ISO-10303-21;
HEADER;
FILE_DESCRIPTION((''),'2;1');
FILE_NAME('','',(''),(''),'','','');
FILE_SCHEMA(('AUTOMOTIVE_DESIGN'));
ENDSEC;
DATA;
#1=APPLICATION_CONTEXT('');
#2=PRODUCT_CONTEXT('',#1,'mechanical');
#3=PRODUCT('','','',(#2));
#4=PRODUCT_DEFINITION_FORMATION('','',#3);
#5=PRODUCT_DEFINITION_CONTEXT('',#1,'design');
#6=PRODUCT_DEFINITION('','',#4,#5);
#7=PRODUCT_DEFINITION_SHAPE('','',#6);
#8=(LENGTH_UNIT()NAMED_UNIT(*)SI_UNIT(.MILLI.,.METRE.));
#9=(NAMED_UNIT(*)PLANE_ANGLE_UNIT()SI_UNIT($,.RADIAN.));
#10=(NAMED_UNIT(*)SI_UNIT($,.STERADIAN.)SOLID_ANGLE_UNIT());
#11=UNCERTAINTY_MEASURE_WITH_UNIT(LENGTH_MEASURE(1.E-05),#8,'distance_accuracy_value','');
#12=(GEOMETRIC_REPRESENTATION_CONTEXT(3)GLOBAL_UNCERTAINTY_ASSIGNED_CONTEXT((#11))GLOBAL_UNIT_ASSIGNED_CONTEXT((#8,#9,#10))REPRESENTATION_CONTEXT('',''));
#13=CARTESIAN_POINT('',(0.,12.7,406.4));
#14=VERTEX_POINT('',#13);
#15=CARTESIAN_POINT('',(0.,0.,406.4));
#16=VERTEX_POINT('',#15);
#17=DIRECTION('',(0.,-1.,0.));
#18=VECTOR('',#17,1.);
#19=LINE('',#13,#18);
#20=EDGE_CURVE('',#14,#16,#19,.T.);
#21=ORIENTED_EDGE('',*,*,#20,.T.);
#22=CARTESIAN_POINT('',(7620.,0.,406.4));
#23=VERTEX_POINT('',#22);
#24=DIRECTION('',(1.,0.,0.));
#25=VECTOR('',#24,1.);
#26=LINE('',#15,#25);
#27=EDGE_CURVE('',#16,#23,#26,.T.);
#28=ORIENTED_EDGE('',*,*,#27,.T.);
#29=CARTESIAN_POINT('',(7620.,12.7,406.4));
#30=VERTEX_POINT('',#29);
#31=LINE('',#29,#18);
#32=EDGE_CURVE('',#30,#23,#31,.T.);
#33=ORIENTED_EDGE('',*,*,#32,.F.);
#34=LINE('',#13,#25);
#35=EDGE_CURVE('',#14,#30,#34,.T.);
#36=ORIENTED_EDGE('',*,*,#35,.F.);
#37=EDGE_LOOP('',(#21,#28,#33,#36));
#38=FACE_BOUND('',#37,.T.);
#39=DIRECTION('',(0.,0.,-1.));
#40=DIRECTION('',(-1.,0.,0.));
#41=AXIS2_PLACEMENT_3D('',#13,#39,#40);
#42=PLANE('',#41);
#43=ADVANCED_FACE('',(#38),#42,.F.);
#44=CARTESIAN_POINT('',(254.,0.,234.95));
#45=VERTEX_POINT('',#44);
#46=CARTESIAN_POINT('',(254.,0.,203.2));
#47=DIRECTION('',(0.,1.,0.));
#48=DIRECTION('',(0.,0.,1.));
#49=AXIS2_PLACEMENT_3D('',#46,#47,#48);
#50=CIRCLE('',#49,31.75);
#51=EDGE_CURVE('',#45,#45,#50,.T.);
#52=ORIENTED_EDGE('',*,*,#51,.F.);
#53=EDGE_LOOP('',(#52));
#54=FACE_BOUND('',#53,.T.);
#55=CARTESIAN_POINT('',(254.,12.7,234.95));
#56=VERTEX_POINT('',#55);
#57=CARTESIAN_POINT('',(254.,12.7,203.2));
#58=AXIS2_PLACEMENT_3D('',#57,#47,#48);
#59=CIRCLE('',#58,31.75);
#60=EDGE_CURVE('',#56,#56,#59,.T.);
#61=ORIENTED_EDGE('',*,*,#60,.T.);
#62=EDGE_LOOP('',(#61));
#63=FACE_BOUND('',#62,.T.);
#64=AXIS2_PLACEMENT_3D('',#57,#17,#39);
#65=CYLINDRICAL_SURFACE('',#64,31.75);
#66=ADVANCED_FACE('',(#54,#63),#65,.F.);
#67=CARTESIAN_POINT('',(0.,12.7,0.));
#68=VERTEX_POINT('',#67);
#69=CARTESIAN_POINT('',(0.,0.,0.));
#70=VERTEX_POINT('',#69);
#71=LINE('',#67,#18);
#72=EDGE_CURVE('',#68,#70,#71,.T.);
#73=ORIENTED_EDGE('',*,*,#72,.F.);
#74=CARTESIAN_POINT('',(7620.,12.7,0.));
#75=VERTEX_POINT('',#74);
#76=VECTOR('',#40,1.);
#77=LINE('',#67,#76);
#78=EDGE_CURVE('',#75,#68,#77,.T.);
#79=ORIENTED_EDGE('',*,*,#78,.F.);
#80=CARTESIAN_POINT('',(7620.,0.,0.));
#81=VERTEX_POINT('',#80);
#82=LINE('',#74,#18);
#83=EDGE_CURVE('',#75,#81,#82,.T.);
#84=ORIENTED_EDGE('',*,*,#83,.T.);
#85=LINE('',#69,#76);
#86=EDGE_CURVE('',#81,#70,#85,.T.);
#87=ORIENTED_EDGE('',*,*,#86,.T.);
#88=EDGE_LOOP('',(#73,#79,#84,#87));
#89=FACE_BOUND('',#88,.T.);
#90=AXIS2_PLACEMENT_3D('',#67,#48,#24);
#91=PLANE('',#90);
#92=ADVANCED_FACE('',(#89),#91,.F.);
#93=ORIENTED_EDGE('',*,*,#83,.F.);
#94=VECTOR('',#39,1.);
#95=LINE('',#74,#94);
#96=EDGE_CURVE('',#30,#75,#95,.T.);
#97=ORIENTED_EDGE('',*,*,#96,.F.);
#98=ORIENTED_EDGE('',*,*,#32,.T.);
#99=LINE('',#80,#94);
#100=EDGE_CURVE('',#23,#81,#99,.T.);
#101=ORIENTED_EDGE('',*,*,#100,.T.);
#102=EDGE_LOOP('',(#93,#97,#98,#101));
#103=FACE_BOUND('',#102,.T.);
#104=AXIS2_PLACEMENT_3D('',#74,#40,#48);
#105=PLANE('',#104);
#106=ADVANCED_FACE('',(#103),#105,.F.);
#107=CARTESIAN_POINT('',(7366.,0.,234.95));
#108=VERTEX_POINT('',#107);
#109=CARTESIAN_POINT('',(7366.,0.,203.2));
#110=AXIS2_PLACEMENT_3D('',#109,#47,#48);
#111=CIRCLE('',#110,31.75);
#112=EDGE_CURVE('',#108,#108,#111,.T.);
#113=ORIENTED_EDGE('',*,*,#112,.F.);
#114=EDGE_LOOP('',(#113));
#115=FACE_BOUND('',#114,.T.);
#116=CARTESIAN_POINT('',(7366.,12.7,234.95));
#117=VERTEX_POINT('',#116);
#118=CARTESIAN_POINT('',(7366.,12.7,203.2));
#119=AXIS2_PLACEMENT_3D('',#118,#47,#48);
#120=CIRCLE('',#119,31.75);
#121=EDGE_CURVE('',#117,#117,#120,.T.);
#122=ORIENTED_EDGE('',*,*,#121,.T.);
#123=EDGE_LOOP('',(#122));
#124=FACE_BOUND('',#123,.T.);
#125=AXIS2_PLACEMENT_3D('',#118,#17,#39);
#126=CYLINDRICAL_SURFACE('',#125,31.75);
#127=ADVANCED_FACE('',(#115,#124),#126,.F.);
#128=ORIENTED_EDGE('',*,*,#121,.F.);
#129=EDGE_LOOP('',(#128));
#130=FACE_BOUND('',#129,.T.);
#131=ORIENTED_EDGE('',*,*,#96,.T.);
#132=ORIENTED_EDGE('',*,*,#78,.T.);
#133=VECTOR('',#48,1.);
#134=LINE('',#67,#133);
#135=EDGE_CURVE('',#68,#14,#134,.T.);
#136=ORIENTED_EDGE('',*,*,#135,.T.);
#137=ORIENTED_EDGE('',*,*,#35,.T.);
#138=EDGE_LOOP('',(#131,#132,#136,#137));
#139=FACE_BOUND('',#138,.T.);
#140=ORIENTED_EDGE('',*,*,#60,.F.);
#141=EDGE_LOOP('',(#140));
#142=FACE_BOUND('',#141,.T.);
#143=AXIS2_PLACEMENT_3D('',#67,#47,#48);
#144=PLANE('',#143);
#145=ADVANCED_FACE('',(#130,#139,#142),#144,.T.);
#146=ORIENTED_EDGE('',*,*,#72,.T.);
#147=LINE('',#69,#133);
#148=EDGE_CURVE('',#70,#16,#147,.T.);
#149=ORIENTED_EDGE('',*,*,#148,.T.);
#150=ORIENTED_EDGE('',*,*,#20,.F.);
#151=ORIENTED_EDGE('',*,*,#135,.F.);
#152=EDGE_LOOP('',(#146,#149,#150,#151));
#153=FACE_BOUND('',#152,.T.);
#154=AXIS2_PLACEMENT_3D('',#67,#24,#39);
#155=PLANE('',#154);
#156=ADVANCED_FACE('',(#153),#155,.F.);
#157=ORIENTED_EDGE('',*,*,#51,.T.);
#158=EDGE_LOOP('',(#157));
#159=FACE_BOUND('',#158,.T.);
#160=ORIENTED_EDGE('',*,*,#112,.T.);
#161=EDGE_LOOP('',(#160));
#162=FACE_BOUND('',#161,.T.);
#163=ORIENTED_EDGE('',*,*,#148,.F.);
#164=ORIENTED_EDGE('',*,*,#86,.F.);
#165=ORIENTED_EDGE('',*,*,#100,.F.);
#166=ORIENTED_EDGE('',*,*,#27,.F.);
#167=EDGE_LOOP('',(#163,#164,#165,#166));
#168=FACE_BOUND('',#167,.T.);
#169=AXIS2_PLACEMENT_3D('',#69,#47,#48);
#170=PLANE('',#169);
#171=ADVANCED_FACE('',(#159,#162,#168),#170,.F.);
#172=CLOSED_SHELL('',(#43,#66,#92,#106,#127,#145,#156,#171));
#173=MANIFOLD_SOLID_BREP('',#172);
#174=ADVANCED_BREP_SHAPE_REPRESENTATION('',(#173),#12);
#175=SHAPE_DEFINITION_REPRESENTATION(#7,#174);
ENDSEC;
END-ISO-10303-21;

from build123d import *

# Parameters (mm, degrees)
SKETCH1_W           = 7620
SKETCH1_H           = 406.4
SKETCH1_R           = 31.75
BOSS_EXTRUDE1_DEPTH = 12.7


with BuildPart() as part:
    # Sketch1 → Boss-Extrude1 (new body)
    with BuildSketch(Plane(origin=(0, 0, 0), x_dir=(1, 0, 0), z_dir=(0, 1, 0))):
        with Locations((3810, -203.2)):
            Rectangle(SKETCH1_W, SKETCH1_H)
        with Locations((254, -203.2)):
            Circle(SKETCH1_R, mode=Mode.SUBTRACT)
        with Locations((7366, -203.2)):
            Circle(SKETCH1_R, mode=Mode.SUBTRACT)
    extrude(amount=BOSS_EXTRUDE1_DEPTH)


solid = part.part
